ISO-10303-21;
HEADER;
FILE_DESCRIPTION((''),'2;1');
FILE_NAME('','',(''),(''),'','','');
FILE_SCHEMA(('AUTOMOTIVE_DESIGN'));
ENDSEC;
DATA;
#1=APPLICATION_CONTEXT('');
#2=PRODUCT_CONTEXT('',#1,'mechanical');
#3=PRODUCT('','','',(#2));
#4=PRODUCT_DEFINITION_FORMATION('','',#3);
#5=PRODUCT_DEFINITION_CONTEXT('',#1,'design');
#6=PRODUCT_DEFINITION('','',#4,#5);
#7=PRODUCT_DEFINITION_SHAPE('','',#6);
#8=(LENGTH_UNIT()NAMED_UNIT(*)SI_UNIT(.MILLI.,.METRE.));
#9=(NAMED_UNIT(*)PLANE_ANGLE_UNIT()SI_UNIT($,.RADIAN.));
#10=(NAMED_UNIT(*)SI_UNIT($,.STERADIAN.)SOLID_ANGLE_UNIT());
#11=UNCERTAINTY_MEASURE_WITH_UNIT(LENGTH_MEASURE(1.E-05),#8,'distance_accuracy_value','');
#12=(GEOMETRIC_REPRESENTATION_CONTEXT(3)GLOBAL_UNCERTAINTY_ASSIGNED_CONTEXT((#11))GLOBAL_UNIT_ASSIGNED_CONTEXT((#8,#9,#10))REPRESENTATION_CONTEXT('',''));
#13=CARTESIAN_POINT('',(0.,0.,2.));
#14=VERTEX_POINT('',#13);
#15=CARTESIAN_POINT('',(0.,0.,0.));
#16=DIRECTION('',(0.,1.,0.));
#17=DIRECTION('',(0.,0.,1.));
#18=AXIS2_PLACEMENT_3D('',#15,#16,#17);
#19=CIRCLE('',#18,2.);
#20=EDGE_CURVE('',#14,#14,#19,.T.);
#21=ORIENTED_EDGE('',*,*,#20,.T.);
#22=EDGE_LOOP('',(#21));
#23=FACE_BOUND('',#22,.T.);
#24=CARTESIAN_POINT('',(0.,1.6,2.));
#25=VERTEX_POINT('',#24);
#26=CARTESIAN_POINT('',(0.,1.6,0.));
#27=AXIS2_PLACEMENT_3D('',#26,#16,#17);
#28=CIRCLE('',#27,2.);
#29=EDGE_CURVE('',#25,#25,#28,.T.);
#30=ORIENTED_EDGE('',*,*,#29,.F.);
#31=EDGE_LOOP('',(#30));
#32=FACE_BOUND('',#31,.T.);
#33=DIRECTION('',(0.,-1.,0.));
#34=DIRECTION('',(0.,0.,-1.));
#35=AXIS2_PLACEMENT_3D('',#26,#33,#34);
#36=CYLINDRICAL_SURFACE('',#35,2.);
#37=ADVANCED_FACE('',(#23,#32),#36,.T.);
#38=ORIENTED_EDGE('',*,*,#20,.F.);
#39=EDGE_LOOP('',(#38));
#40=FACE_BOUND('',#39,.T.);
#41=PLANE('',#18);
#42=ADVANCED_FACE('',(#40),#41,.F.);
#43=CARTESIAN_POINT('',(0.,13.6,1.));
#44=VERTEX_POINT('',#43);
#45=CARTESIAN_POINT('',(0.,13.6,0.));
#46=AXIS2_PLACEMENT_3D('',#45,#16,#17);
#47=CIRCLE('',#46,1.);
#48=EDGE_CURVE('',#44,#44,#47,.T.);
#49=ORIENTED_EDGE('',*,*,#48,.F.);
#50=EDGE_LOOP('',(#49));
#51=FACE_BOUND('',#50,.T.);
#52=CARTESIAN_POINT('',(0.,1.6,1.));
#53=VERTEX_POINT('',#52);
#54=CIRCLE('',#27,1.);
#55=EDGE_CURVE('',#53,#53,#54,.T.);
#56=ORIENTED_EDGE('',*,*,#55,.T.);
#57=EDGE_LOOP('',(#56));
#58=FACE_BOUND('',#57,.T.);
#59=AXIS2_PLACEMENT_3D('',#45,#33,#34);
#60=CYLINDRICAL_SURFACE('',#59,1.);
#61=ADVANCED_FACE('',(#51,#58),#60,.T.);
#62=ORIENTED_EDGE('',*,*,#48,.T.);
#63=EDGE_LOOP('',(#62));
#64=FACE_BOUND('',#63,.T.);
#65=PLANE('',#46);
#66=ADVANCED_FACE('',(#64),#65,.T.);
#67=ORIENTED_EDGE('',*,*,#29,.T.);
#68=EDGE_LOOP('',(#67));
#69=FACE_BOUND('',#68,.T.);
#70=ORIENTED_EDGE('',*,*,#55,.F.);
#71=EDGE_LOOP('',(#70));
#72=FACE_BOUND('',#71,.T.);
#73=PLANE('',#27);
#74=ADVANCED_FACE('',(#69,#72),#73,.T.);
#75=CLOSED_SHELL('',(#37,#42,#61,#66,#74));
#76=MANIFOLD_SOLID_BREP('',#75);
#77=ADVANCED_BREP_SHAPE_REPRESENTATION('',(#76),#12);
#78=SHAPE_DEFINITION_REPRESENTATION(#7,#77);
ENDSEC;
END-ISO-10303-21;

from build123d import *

# Parameters (mm, degrees)
SKETCH1_R           = 2
SKETCH1_R_2         = 1
BOSS_EXTRUDE1_DEPTH = 1.6
BOSS_EXTRUDE2_START = 1.6
SKETCH1_3_R         = 1
BOSS_EXTRUDE2_DEPTH = 12


with BuildPart() as part:
    # Sketch1 → Boss-Extrude1 (new body)
    # profile 1 of 2: a face of its own
    with BuildSketch(Plane(origin=(0, 0, 0), x_dir=(1, 0, 0), z_dir=(0, 1, 0))):
        with Locations(Location((0, 0, 0), (0, 0, 270))):
            Circle(SKETCH1_R)
        Circle(SKETCH1_R_2, mode=Mode.SUBTRACT)
    # profile 2 of 2: a face of its own
    with BuildSketch(Plane(origin=(0, 0, 0), x_dir=(1, 0, 0), z_dir=(0, 1, 0))):
        Circle(SKETCH1_R_2)
    extrude(amount=BOSS_EXTRUDE1_DEPTH)

    # Sketch1<3> → Boss-Extrude2 (add)
    with BuildSketch(Plane(origin=(0, 0, 0), x_dir=(1, 0, 0), z_dir=(0, 1, 0)).offset(BOSS_EXTRUDE2_START)):
        with Locations(Location((0, 0, 0), (0, 0, 270))):
            Circle(SKETCH1_3_R)
    extrude(amount=BOSS_EXTRUDE2_DEPTH)


solid = part.part
